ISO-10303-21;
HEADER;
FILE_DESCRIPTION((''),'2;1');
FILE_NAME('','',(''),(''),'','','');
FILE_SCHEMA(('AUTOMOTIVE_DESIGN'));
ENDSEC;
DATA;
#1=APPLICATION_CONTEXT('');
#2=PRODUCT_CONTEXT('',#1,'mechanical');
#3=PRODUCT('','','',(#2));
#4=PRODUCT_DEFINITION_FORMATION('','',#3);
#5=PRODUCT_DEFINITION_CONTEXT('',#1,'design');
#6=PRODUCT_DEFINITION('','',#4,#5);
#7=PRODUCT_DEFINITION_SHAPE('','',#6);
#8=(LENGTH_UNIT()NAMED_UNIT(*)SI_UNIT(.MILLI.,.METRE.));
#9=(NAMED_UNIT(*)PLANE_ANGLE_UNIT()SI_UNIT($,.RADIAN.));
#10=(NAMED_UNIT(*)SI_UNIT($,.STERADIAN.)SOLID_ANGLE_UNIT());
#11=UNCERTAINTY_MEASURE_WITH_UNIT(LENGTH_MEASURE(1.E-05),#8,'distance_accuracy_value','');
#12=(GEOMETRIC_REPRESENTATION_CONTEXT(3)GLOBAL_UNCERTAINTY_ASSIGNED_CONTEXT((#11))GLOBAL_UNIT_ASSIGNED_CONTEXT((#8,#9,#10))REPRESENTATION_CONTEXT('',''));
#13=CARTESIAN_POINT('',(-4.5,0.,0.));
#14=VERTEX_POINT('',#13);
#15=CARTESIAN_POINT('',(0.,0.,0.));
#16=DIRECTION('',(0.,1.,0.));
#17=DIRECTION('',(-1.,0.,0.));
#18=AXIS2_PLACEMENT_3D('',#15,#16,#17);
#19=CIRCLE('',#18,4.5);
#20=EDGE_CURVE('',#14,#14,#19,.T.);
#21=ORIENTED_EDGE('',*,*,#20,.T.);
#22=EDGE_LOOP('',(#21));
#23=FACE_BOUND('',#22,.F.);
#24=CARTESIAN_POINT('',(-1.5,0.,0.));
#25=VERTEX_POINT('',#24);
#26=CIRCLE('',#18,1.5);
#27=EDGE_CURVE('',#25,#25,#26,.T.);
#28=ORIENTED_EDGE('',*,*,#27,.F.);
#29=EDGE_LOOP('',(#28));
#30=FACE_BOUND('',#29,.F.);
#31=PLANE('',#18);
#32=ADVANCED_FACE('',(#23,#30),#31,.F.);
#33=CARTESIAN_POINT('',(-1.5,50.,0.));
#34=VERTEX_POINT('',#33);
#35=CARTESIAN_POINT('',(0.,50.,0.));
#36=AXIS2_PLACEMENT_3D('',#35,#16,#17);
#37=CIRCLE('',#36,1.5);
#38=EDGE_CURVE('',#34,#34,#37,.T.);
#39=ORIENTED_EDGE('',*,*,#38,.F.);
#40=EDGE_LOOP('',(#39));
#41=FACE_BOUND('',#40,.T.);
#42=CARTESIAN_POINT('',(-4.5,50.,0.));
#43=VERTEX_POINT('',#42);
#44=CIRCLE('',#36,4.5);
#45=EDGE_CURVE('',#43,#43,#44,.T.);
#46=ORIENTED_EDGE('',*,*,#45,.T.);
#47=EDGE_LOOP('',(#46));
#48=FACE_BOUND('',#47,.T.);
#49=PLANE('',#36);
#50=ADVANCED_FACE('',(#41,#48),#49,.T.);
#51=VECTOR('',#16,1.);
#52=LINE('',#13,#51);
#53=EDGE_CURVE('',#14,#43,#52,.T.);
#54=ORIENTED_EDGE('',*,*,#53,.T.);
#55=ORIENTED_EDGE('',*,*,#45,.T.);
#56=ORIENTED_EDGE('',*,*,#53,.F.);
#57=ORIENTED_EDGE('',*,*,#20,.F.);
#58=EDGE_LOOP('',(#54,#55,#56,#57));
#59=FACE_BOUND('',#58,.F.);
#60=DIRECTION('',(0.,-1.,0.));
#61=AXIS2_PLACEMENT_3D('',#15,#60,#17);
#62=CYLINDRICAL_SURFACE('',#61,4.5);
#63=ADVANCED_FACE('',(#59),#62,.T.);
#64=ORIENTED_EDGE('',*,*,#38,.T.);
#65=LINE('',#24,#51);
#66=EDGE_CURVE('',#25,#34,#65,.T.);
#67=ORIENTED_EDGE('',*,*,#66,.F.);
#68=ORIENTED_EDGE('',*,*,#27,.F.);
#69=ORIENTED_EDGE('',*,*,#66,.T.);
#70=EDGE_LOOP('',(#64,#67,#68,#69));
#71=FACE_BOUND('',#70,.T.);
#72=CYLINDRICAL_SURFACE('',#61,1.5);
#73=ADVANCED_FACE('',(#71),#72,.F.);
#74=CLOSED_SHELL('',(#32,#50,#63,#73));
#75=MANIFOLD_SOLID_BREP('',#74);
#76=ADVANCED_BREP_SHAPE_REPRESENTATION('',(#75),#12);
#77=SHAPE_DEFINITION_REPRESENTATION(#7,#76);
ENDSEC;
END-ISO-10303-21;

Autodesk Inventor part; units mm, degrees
ref_plane "YZ Plane" through (0, 0, 0) normal (1, 0, 0) x (0, 1, 0)
ref_plane "XZ Plane" through (0, 0, 0) normal (0, 1, 0) x (-1, 0, 0)
ref_plane "XY Plane" through (0, 0, 0) normal (0, 0, 1) x (1, 0, 0)
sketch "Sketch1" plane through (0, 0, 0) normal (0, 1, 0) x (-1, 0, 0)
  circle A0 centre (0, 0) radius 1.5
  circle A1 centre (0, 0) radius 4.5
  dimension "d0" = 3
  dimension "d1" = 9
extrude "Extrusion1" add sketch "Sketch1" along normal blind 50
properties part number "BottomTopPlateSpacer"
